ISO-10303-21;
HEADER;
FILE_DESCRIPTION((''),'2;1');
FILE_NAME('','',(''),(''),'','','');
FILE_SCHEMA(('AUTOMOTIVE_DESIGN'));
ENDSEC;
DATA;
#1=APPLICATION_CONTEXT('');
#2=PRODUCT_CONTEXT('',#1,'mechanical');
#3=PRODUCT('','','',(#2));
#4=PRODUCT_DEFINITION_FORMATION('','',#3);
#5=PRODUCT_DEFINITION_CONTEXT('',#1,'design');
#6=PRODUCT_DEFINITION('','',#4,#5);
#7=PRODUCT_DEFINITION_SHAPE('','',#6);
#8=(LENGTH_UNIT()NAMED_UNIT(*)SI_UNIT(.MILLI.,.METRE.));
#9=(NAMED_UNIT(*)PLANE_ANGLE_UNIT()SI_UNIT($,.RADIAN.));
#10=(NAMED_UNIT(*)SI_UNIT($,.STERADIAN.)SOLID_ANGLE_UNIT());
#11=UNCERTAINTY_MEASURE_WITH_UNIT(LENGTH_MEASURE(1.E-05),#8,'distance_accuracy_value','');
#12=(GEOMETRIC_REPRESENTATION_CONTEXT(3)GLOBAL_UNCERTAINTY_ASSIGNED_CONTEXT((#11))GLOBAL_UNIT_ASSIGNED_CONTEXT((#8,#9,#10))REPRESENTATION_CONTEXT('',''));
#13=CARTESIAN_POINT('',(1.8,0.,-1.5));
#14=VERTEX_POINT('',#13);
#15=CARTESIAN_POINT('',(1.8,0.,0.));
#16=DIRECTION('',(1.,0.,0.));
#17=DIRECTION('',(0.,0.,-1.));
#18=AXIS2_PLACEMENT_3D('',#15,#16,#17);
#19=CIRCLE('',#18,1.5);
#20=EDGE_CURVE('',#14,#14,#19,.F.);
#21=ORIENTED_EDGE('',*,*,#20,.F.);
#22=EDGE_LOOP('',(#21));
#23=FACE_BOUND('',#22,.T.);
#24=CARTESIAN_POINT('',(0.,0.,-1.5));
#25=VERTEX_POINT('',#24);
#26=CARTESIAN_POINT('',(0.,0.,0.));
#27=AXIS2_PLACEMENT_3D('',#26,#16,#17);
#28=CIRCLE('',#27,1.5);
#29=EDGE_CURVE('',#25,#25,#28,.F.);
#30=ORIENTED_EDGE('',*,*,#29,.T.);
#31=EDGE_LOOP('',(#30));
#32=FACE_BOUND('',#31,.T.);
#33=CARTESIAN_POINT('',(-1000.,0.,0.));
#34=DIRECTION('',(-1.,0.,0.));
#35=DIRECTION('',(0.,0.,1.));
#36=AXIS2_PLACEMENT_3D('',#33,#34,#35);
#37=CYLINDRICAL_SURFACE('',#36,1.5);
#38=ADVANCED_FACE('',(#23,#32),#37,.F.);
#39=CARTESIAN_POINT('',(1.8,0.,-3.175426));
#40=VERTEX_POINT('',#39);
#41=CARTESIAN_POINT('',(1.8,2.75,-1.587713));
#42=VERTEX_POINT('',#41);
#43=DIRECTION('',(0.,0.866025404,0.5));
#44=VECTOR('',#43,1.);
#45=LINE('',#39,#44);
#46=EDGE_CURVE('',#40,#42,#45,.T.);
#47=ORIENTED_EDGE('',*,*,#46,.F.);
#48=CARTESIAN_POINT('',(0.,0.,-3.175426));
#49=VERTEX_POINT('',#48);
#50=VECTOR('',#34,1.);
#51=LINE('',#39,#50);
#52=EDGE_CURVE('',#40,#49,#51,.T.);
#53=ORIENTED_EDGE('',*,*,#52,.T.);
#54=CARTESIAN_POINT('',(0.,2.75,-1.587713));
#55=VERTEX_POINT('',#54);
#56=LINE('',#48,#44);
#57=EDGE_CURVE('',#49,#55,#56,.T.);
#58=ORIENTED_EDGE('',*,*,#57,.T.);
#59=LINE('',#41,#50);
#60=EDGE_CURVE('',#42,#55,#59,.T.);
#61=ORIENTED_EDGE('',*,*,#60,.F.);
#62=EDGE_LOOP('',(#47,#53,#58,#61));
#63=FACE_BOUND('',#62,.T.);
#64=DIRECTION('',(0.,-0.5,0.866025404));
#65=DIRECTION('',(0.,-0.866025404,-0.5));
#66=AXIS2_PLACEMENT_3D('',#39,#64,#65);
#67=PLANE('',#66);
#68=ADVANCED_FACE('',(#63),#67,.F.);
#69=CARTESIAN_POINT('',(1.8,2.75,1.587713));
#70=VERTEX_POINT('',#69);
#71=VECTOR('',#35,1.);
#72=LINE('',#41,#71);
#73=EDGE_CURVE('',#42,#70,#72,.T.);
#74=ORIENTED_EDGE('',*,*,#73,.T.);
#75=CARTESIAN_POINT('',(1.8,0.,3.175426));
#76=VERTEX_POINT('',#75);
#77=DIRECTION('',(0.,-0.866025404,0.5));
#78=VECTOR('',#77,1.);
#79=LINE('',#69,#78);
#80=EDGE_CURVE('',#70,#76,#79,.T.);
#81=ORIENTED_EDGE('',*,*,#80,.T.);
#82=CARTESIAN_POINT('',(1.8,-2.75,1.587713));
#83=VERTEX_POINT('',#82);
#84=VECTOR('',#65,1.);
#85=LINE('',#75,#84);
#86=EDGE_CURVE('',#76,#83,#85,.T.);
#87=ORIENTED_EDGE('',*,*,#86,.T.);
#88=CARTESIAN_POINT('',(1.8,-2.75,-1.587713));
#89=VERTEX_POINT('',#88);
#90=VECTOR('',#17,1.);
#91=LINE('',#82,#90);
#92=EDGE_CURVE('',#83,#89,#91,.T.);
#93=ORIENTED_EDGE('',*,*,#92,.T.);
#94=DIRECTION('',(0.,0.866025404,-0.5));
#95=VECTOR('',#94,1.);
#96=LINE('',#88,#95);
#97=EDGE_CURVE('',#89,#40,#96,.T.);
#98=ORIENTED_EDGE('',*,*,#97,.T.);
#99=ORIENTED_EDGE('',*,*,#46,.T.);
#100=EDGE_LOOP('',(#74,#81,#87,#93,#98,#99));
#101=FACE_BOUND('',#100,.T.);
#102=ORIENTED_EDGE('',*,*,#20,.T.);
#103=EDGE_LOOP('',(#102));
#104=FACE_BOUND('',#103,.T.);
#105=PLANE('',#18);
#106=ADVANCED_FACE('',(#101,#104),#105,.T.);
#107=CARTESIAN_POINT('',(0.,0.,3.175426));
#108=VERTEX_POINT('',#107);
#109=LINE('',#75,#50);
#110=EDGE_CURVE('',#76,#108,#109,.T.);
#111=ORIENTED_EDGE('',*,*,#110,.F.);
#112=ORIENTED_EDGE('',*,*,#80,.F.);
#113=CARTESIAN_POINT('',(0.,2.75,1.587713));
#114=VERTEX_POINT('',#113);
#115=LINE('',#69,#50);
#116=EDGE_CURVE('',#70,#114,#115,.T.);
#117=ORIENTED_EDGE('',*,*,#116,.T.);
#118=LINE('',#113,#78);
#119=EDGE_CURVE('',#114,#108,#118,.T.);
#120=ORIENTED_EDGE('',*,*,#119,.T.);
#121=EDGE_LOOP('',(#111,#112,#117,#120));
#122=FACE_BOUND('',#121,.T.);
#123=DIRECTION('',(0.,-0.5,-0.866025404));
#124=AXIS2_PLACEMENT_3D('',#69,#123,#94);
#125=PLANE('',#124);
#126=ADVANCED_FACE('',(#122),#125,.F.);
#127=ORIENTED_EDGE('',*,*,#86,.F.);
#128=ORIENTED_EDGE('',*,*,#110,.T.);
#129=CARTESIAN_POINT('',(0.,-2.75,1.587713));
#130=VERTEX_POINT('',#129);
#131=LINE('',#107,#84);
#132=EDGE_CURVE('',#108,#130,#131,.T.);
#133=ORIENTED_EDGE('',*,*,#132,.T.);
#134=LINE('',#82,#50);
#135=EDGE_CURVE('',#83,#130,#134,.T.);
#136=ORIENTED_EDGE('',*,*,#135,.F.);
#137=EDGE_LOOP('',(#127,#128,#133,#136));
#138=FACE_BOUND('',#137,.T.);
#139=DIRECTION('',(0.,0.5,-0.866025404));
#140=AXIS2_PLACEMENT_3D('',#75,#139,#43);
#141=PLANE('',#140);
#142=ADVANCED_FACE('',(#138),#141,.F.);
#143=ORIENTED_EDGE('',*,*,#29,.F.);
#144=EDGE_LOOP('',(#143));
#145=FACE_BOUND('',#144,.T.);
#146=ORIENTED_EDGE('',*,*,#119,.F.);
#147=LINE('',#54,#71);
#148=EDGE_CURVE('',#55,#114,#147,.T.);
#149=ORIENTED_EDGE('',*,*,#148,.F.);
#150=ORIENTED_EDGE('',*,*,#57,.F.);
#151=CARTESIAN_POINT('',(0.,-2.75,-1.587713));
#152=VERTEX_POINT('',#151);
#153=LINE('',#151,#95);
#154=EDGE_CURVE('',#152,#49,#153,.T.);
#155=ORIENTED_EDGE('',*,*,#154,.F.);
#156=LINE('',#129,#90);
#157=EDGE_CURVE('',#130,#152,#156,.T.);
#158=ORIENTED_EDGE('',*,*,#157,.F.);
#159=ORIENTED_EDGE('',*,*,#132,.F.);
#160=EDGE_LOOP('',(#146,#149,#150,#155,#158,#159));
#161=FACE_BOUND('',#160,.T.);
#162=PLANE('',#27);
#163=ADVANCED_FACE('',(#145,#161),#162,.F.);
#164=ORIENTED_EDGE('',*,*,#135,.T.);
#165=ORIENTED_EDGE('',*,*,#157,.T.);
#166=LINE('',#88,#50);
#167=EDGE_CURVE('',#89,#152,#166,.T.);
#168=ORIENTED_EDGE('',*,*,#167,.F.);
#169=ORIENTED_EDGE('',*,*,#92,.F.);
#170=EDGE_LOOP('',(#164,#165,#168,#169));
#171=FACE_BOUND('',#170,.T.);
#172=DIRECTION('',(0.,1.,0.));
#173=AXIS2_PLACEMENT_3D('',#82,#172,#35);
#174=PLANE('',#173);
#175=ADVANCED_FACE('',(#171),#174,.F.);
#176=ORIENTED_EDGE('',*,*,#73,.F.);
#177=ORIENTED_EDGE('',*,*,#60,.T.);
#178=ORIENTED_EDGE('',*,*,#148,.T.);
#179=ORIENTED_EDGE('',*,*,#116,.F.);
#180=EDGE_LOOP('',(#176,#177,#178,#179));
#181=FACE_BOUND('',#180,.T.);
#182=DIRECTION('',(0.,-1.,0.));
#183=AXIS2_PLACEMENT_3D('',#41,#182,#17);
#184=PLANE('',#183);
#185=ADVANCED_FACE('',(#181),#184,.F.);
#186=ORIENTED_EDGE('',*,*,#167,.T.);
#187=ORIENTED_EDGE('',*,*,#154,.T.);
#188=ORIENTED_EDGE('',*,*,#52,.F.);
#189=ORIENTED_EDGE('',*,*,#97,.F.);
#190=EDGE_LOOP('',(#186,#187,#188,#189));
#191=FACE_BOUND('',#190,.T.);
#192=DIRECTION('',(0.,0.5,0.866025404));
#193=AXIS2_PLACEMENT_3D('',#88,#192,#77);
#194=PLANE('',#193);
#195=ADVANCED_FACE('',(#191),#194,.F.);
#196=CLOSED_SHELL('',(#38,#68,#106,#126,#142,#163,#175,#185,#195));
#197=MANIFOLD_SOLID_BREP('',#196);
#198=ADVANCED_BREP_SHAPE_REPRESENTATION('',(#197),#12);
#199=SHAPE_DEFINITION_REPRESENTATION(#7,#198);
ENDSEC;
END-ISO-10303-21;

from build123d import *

# Parameters (mm, degrees)
NUT_DEPTH       = 1.8
THREAD_SKETCH_W = 3.8
THREAD_SKETCH_H = 1.5


with BuildPart() as part:
    # Nut Sketch → Nut (new body)
    with BuildSketch(Plane(origin=(0, 0, 0), x_dir=(0, 0, -1), z_dir=(1, 0, 0))):
        Polygon((3.175426481, 0), (1.58771324, 2.75), (-1.58771324, 2.75), (-3.175426481, 0), (-1.58771324, -2.75), (1.58771324, -2.75), align=None)
    extrude(amount=NUT_DEPTH)

    # Thread Sketch → Thread (revolve, cut)
    with BuildSketch(Plane.XY):
        with Locations((0.9, 0.75)):
            Rectangle(THREAD_SKETCH_W, THREAD_SKETCH_H)
    revolve(axis=Axis((-1000, 0, 0), (1, 0, 0)), mode=Mode.SUBTRACT)


solid = part.part
